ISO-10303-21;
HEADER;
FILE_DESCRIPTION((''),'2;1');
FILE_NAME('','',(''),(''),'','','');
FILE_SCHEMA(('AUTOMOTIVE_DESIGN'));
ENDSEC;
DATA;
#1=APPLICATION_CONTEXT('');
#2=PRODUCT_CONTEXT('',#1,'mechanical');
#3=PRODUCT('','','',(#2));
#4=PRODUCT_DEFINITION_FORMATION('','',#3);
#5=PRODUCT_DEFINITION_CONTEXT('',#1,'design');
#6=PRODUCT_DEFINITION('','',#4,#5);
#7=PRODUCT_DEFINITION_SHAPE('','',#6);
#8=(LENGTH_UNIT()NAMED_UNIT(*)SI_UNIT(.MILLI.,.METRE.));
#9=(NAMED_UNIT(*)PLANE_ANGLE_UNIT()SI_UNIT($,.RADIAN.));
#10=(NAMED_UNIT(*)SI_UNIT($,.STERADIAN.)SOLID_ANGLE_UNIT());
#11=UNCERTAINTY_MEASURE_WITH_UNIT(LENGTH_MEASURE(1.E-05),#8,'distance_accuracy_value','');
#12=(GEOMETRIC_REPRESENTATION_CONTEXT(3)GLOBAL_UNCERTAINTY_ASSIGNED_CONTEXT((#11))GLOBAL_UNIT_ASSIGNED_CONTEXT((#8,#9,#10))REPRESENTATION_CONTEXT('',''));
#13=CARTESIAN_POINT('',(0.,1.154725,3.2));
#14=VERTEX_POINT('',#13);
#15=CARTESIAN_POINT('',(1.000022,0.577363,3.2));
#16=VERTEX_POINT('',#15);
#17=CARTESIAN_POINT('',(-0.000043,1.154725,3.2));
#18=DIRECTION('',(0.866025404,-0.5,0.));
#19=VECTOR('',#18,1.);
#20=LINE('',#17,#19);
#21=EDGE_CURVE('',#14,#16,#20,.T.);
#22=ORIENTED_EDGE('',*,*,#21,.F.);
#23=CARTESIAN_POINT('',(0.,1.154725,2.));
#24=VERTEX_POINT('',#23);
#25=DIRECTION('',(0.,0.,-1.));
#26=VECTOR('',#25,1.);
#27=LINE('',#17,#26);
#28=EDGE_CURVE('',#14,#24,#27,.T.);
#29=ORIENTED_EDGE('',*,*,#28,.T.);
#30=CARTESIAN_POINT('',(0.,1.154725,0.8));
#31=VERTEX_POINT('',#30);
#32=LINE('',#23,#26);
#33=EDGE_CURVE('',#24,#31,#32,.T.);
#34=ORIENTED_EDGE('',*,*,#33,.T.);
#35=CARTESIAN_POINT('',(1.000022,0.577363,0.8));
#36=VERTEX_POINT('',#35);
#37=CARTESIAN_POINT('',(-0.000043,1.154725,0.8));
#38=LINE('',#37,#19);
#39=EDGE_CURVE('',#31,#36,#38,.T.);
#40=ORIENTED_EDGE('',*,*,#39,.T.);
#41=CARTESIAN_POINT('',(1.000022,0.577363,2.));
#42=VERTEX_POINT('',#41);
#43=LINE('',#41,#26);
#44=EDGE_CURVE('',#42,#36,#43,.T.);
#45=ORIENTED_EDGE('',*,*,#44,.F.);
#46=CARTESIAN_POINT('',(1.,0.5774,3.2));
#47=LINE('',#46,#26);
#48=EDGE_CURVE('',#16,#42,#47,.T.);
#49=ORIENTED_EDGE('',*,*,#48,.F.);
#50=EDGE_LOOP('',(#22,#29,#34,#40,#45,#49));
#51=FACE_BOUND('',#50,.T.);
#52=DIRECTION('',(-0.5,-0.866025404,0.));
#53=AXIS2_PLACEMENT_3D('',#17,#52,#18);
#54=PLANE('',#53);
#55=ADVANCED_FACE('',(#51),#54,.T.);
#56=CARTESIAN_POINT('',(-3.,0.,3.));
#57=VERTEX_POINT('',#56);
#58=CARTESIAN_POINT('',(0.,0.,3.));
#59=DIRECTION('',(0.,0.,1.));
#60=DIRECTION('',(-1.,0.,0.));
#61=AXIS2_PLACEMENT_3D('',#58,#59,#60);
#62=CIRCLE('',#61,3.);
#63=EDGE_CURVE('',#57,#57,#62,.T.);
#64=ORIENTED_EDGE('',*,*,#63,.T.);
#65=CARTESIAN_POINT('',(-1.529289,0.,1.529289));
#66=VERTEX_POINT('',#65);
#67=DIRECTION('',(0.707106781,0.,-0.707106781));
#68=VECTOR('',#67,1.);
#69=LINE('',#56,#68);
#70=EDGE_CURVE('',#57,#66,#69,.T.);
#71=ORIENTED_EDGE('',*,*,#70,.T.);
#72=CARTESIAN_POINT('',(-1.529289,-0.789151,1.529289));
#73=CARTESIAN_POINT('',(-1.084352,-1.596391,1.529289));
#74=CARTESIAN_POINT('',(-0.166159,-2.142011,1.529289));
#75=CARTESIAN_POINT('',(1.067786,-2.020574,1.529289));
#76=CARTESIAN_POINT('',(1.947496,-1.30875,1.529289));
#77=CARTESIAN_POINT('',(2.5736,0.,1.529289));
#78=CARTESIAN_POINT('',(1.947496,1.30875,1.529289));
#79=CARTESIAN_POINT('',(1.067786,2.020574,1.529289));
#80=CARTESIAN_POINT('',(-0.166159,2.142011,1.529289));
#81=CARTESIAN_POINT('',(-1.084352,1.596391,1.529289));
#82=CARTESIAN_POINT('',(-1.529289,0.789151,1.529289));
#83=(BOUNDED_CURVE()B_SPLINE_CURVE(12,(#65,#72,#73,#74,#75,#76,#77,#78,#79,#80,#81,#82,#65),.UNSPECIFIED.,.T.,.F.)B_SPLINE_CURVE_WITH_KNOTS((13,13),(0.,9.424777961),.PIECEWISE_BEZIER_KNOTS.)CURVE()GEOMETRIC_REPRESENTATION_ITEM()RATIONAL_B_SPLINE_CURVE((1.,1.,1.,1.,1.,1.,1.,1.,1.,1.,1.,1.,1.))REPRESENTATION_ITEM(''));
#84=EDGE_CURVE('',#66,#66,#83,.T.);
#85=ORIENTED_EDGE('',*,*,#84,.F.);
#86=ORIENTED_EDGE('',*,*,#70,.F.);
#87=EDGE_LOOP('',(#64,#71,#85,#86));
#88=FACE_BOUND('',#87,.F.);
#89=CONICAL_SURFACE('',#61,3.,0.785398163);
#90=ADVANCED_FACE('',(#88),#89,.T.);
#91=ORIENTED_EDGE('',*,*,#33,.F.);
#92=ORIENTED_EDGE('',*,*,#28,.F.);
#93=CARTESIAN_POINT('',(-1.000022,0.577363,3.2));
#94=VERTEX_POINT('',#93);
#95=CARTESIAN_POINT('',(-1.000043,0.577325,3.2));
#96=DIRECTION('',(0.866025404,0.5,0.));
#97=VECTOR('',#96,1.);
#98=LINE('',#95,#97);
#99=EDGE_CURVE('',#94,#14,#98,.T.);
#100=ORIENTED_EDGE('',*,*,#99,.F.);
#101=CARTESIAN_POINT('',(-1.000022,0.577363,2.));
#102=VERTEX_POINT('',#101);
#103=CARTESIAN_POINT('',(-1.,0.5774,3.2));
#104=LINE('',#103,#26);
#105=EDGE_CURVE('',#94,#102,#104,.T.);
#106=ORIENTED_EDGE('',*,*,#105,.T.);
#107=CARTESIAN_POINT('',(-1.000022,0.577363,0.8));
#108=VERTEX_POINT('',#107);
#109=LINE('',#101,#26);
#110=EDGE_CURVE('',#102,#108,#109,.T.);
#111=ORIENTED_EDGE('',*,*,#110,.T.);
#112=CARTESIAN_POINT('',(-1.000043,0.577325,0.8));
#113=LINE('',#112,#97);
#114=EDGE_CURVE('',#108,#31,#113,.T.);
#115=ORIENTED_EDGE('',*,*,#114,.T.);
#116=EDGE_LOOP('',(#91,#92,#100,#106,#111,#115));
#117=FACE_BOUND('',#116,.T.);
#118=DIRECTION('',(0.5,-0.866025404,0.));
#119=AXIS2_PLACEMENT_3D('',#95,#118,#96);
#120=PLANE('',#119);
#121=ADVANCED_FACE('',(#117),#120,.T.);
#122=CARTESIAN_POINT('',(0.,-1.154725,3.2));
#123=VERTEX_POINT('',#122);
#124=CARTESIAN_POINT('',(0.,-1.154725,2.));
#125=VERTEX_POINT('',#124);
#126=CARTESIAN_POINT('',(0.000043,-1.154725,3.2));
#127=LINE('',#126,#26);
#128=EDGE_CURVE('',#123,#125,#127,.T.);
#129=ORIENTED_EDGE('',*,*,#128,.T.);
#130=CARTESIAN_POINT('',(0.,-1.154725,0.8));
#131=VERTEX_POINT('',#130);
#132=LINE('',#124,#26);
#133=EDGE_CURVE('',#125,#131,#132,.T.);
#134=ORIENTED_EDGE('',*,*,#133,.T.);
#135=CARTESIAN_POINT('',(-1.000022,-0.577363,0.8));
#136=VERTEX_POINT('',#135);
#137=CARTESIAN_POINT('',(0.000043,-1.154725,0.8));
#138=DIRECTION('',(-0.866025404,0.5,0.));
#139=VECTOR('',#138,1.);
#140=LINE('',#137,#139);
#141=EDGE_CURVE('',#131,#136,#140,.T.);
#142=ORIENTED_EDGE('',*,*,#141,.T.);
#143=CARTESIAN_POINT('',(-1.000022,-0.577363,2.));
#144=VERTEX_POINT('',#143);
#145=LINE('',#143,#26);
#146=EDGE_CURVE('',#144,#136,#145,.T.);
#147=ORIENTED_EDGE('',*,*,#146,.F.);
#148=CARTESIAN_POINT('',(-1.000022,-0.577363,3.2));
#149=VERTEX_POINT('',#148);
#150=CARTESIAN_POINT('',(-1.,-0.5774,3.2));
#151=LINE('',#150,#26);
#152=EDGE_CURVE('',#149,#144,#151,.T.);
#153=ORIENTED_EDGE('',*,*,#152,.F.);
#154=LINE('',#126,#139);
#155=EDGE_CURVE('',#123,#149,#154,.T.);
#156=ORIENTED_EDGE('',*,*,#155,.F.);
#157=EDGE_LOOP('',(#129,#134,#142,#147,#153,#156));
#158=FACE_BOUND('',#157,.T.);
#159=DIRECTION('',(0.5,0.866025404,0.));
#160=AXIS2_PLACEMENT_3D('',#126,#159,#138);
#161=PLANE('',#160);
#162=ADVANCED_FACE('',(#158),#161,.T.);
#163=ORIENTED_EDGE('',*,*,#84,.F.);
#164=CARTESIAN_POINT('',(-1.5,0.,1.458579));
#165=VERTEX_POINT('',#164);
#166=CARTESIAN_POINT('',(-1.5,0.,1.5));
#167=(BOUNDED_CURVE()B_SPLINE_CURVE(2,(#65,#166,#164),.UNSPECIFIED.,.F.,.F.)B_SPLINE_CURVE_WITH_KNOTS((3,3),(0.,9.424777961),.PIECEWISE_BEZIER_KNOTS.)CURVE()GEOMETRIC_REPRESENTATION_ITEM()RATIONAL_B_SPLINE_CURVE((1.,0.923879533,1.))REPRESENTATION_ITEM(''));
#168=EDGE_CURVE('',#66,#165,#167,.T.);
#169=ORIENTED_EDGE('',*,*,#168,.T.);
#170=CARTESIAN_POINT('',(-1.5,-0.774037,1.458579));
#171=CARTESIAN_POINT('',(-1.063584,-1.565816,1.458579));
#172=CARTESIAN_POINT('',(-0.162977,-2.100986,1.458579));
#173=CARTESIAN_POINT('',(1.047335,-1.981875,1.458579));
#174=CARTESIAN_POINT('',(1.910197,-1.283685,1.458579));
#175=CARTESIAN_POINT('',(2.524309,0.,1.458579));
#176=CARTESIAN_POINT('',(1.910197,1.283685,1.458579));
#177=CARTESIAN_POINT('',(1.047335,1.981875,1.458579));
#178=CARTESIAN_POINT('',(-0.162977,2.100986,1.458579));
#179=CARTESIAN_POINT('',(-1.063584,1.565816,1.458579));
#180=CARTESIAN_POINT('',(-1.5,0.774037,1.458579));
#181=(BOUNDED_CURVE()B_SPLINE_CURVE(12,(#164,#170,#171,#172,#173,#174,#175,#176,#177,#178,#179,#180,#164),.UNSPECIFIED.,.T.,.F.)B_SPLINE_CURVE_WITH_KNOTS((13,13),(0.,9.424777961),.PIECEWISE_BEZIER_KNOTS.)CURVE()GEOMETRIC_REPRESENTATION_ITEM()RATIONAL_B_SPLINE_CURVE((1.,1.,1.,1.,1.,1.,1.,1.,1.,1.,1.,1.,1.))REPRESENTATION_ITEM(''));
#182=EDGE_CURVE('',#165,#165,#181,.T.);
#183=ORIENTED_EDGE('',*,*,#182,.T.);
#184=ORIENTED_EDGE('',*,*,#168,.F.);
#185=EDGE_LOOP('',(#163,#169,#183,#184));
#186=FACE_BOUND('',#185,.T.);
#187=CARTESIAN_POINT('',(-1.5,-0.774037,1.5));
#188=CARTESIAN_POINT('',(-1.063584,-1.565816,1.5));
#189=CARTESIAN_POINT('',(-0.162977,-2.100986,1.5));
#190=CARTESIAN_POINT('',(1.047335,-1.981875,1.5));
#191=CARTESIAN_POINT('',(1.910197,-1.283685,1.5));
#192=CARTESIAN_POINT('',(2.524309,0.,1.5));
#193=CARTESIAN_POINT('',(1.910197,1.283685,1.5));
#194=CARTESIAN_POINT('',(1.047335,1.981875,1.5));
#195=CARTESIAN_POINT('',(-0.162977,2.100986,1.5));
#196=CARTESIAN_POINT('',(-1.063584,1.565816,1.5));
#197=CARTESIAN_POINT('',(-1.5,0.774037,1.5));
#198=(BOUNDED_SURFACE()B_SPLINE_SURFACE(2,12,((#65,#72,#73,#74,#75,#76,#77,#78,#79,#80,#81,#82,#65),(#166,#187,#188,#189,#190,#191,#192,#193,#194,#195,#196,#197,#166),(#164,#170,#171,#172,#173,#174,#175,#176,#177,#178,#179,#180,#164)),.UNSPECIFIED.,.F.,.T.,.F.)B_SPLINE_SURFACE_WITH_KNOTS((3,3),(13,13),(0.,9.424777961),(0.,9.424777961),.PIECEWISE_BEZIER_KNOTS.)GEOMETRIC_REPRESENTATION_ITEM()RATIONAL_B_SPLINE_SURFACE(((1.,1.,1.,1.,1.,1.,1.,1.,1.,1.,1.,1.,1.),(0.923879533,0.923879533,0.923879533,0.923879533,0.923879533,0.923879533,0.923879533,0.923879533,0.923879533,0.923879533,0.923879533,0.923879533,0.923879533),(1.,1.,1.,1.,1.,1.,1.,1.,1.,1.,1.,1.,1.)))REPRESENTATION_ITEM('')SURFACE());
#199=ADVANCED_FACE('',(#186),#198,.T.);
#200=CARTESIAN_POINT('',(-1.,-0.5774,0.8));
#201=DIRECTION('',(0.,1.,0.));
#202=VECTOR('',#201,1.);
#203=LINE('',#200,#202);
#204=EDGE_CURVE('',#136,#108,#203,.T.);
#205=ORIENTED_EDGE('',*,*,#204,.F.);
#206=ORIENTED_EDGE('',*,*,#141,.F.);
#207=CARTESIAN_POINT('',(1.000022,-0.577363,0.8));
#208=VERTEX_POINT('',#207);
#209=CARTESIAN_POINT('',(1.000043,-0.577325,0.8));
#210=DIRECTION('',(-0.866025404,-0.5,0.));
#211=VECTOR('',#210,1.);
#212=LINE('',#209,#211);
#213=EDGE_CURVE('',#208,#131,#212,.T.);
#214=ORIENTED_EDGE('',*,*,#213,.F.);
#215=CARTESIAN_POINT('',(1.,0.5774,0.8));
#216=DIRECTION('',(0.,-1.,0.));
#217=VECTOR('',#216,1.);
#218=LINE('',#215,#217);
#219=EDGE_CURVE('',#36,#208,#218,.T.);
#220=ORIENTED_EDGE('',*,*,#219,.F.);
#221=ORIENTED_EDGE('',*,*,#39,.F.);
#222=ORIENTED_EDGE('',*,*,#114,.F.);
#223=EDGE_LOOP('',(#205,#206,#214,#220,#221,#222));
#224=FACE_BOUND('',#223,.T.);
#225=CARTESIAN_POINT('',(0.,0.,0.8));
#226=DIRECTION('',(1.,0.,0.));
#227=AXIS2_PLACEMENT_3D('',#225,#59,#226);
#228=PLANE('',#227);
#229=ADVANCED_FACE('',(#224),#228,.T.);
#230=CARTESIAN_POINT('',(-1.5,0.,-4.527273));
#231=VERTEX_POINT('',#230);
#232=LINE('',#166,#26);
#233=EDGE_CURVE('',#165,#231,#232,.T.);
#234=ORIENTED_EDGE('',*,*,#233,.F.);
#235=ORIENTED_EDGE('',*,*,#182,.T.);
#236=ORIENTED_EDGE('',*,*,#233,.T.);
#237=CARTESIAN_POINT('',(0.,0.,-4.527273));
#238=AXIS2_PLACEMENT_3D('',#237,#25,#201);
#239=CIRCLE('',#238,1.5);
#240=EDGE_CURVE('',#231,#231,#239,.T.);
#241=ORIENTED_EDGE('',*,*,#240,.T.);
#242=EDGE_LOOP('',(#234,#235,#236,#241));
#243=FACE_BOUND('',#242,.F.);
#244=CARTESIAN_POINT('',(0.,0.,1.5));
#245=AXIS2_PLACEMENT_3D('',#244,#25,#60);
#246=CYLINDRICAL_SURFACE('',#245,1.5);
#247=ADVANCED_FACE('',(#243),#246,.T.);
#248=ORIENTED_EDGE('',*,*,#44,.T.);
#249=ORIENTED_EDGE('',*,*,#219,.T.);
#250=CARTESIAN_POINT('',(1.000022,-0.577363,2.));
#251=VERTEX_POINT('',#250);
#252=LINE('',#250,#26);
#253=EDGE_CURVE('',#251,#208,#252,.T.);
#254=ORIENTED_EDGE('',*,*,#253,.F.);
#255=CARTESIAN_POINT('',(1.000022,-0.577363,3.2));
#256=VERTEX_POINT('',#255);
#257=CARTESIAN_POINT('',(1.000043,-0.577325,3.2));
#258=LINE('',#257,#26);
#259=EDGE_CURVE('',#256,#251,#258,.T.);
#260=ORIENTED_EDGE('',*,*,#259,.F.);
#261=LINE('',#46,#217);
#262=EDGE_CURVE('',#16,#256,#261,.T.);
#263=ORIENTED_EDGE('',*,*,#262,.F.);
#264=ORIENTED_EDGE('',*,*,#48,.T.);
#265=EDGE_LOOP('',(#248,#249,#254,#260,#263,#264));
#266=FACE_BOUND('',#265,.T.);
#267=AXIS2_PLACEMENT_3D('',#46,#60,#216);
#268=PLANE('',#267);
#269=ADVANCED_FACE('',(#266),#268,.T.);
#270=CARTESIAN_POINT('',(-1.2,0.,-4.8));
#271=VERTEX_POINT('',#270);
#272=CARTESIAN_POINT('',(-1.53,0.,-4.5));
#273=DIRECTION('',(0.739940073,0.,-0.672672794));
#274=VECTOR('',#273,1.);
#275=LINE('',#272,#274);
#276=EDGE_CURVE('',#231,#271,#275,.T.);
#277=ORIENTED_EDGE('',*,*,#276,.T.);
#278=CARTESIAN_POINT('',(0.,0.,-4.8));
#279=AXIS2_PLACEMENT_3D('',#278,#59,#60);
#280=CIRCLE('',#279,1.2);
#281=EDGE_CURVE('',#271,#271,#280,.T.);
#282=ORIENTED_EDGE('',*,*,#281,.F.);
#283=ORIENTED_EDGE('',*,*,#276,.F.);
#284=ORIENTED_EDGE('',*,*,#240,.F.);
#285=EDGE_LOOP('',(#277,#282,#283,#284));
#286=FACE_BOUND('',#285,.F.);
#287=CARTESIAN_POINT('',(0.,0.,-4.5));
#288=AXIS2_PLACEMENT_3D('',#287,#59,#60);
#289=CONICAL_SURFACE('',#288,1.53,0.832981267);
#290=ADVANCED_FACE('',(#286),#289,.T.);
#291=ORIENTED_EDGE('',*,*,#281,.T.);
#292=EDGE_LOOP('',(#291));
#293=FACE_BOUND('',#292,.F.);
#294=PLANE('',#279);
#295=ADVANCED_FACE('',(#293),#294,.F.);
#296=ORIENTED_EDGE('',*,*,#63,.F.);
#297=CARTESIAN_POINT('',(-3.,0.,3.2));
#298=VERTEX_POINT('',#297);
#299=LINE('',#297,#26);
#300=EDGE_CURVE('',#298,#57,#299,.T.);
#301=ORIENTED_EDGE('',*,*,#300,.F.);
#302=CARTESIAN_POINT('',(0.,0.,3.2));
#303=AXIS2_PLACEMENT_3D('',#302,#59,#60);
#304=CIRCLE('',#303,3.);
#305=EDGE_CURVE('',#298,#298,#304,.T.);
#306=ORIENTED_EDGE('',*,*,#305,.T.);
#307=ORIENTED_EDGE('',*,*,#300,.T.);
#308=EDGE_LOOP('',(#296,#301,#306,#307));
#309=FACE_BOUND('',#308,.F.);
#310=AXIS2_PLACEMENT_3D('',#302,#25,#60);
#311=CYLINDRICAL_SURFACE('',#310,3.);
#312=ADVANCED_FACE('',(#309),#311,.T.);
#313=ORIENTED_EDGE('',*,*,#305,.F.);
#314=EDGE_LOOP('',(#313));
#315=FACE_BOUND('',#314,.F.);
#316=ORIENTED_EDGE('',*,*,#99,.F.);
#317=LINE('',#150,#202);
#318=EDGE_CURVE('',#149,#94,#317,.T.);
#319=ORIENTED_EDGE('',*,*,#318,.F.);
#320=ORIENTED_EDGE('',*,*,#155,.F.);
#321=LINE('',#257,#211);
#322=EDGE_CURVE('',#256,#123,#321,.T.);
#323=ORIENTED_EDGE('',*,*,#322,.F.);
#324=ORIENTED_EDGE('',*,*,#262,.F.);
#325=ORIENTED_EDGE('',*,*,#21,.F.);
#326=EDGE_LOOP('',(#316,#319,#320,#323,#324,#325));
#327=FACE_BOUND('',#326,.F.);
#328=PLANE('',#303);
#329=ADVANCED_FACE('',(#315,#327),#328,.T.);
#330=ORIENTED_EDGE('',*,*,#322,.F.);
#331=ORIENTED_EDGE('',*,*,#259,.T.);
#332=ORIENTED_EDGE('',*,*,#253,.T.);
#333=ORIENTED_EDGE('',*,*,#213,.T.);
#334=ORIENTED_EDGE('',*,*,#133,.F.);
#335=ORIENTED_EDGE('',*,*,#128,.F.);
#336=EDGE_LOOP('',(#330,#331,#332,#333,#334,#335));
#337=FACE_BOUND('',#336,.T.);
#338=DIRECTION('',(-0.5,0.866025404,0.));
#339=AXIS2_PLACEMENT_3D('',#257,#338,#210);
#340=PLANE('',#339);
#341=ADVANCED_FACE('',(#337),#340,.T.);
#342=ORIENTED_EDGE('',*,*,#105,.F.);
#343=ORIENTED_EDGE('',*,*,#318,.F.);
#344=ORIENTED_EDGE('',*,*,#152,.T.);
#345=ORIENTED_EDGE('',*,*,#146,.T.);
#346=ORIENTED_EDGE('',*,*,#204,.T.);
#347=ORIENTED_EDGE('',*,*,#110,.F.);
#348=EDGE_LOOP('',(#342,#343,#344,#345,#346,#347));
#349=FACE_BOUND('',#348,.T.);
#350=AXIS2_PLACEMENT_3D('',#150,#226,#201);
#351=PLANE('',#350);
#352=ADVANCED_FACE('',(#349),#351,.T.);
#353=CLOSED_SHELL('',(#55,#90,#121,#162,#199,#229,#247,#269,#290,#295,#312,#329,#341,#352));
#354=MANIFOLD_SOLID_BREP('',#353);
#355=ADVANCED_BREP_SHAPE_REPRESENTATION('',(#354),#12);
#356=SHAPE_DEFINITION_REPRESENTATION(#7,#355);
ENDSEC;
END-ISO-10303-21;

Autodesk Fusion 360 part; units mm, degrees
sketch "Sketch1" plane through (0, 0, 0) normal (0, 1, 0) x (1, 0, 0)
  line L0 (0, -3.2) -> (-3, -3.2)
  line L1 (-3, -3.2) -> (-3, -3)
  line L2 (-3, -3) -> (-1.5, -1.5)
  line L3 (-1.5, -1.5) -> (-1.5, 4.8)
  line L4 (-1.5, -1.5) -> (0, 0) construction
  line L5 (-1.5, 4.8) -> (0, 4.8)
  line L6 (0, 4.8) -> (0, -3.2)
  dimension "d5" = 45
  dimension "d9" = 3
  dimension "d10" = 8
  dimension "d72" = 1.7
  dimension "d73" = 6
revolve "Revolve1" add sketch "Sketch1" angle 360 about axis through (0, 0, -4.8) along (0, 0, 1)
sketch "Sketch6" plane through (0, 0, 3.2) normal (0, 0, 1) x (1, 0, 0)
  circle A0 centre (0, 0) radius 3
  line L0 (-1, 0) -> (1, 0) construction
  line L1 (-1, -0.5774) -> (-1, 0.5774)
  line L2 (-1, 0.5774) -> (0, 0)
  line L3 (-1, -0.5774) -> (0, 0)
  dimension "d65" = 2
  dimension "d67" = 60
extrude "Extrude1" cut sketch "Sketch6" against normal blind 1.2 contours L1 L2 L3
pattern_circular "C-Pattern1" count 6 over 360 about axis through (0, 0, 1.75) along (0, 0, 1) of "Extrude1"
extrude "Extrude2" cut 1 faces at (-0.3333, 0.1925, 2) along direction (0, 0, -1) blind 1.2
fillet "Fillet6" radius 0.1 1 edges at (-1.3985, 0.5424, 1.5)
thread "Thread2" thread offset 0 thread length 5.3
sketch "Sketch8" plane through (0, 0, 0) normal (0, 1, 0) x (1, 0, 0)
  line L0 (-3, -3.2) -> (-3, -3)
  line L1 (-3, -3) -> (-1.5, -1.5)
  line L2 (0, 4.8) -> (0, -3.2)
  line L3 (0, -3.2) -> (-3, -3.2)
  line L4 (0, 4.8) -> (-1.53, 4.8)
  line L5 (-1.53, 4.8) -> (-1.53, 4.5)
  line L6 (-1.53, 4.5) -> (-1.2, 4.8)
  dimension "d104" = 1.2
  dimension "d106" = 1.53
  dimension "d107" = 0.3
revolve "Revolve3" cut sketch "Sketch8" angle 360 about axis through (0, 0, -4.8) along (0, 0, 1)
equation "d5 = adsk_headang * 0.5"
equation "d9 = adsk_nomdia"
equation "d10 = adsk_nomlen"
equation "adsk_nomlen = 8.00 mm"
equation "adsk_headh = 1.70 mm"
equation "adsk_headdia = 6.00 mm"
equation "adsk_nomdia = 3.00 mm"
equation "adsk_headang = 90.00 deg"
equation "adsk_philwidth = 2.00 mm"
equation "adsk_phildepth = 1.20 mm"
equation "d65 = adsk_philwidth"
equation "d72 = adsk_headh"
equation "d73 = adsk_headdia"
equation "d77 = adsk_thrlen"
equation "adsk_thrlen = 5.30 mm"
equation "adsk_midfillet = 0.10 mm"
equation "d85 = adsk_midfillet"
equation "adsk_startlen = adsk_nomdia * 0.1"
equation "d99 = ( adsk_nomdia / 2 ) * tan(90 deg - adsk_headang / 2) + adsk_headh"
equation "adsk_endpointdia = adsk_nomdia - 2 * adsk_startlen"
equation "d104 = adsk_endpointdia / 2"
equation "d106 = adsk_nomdia * 0.51"
equation "d107 = adsk_startlen"
properties part number "arrangementsContainer"
